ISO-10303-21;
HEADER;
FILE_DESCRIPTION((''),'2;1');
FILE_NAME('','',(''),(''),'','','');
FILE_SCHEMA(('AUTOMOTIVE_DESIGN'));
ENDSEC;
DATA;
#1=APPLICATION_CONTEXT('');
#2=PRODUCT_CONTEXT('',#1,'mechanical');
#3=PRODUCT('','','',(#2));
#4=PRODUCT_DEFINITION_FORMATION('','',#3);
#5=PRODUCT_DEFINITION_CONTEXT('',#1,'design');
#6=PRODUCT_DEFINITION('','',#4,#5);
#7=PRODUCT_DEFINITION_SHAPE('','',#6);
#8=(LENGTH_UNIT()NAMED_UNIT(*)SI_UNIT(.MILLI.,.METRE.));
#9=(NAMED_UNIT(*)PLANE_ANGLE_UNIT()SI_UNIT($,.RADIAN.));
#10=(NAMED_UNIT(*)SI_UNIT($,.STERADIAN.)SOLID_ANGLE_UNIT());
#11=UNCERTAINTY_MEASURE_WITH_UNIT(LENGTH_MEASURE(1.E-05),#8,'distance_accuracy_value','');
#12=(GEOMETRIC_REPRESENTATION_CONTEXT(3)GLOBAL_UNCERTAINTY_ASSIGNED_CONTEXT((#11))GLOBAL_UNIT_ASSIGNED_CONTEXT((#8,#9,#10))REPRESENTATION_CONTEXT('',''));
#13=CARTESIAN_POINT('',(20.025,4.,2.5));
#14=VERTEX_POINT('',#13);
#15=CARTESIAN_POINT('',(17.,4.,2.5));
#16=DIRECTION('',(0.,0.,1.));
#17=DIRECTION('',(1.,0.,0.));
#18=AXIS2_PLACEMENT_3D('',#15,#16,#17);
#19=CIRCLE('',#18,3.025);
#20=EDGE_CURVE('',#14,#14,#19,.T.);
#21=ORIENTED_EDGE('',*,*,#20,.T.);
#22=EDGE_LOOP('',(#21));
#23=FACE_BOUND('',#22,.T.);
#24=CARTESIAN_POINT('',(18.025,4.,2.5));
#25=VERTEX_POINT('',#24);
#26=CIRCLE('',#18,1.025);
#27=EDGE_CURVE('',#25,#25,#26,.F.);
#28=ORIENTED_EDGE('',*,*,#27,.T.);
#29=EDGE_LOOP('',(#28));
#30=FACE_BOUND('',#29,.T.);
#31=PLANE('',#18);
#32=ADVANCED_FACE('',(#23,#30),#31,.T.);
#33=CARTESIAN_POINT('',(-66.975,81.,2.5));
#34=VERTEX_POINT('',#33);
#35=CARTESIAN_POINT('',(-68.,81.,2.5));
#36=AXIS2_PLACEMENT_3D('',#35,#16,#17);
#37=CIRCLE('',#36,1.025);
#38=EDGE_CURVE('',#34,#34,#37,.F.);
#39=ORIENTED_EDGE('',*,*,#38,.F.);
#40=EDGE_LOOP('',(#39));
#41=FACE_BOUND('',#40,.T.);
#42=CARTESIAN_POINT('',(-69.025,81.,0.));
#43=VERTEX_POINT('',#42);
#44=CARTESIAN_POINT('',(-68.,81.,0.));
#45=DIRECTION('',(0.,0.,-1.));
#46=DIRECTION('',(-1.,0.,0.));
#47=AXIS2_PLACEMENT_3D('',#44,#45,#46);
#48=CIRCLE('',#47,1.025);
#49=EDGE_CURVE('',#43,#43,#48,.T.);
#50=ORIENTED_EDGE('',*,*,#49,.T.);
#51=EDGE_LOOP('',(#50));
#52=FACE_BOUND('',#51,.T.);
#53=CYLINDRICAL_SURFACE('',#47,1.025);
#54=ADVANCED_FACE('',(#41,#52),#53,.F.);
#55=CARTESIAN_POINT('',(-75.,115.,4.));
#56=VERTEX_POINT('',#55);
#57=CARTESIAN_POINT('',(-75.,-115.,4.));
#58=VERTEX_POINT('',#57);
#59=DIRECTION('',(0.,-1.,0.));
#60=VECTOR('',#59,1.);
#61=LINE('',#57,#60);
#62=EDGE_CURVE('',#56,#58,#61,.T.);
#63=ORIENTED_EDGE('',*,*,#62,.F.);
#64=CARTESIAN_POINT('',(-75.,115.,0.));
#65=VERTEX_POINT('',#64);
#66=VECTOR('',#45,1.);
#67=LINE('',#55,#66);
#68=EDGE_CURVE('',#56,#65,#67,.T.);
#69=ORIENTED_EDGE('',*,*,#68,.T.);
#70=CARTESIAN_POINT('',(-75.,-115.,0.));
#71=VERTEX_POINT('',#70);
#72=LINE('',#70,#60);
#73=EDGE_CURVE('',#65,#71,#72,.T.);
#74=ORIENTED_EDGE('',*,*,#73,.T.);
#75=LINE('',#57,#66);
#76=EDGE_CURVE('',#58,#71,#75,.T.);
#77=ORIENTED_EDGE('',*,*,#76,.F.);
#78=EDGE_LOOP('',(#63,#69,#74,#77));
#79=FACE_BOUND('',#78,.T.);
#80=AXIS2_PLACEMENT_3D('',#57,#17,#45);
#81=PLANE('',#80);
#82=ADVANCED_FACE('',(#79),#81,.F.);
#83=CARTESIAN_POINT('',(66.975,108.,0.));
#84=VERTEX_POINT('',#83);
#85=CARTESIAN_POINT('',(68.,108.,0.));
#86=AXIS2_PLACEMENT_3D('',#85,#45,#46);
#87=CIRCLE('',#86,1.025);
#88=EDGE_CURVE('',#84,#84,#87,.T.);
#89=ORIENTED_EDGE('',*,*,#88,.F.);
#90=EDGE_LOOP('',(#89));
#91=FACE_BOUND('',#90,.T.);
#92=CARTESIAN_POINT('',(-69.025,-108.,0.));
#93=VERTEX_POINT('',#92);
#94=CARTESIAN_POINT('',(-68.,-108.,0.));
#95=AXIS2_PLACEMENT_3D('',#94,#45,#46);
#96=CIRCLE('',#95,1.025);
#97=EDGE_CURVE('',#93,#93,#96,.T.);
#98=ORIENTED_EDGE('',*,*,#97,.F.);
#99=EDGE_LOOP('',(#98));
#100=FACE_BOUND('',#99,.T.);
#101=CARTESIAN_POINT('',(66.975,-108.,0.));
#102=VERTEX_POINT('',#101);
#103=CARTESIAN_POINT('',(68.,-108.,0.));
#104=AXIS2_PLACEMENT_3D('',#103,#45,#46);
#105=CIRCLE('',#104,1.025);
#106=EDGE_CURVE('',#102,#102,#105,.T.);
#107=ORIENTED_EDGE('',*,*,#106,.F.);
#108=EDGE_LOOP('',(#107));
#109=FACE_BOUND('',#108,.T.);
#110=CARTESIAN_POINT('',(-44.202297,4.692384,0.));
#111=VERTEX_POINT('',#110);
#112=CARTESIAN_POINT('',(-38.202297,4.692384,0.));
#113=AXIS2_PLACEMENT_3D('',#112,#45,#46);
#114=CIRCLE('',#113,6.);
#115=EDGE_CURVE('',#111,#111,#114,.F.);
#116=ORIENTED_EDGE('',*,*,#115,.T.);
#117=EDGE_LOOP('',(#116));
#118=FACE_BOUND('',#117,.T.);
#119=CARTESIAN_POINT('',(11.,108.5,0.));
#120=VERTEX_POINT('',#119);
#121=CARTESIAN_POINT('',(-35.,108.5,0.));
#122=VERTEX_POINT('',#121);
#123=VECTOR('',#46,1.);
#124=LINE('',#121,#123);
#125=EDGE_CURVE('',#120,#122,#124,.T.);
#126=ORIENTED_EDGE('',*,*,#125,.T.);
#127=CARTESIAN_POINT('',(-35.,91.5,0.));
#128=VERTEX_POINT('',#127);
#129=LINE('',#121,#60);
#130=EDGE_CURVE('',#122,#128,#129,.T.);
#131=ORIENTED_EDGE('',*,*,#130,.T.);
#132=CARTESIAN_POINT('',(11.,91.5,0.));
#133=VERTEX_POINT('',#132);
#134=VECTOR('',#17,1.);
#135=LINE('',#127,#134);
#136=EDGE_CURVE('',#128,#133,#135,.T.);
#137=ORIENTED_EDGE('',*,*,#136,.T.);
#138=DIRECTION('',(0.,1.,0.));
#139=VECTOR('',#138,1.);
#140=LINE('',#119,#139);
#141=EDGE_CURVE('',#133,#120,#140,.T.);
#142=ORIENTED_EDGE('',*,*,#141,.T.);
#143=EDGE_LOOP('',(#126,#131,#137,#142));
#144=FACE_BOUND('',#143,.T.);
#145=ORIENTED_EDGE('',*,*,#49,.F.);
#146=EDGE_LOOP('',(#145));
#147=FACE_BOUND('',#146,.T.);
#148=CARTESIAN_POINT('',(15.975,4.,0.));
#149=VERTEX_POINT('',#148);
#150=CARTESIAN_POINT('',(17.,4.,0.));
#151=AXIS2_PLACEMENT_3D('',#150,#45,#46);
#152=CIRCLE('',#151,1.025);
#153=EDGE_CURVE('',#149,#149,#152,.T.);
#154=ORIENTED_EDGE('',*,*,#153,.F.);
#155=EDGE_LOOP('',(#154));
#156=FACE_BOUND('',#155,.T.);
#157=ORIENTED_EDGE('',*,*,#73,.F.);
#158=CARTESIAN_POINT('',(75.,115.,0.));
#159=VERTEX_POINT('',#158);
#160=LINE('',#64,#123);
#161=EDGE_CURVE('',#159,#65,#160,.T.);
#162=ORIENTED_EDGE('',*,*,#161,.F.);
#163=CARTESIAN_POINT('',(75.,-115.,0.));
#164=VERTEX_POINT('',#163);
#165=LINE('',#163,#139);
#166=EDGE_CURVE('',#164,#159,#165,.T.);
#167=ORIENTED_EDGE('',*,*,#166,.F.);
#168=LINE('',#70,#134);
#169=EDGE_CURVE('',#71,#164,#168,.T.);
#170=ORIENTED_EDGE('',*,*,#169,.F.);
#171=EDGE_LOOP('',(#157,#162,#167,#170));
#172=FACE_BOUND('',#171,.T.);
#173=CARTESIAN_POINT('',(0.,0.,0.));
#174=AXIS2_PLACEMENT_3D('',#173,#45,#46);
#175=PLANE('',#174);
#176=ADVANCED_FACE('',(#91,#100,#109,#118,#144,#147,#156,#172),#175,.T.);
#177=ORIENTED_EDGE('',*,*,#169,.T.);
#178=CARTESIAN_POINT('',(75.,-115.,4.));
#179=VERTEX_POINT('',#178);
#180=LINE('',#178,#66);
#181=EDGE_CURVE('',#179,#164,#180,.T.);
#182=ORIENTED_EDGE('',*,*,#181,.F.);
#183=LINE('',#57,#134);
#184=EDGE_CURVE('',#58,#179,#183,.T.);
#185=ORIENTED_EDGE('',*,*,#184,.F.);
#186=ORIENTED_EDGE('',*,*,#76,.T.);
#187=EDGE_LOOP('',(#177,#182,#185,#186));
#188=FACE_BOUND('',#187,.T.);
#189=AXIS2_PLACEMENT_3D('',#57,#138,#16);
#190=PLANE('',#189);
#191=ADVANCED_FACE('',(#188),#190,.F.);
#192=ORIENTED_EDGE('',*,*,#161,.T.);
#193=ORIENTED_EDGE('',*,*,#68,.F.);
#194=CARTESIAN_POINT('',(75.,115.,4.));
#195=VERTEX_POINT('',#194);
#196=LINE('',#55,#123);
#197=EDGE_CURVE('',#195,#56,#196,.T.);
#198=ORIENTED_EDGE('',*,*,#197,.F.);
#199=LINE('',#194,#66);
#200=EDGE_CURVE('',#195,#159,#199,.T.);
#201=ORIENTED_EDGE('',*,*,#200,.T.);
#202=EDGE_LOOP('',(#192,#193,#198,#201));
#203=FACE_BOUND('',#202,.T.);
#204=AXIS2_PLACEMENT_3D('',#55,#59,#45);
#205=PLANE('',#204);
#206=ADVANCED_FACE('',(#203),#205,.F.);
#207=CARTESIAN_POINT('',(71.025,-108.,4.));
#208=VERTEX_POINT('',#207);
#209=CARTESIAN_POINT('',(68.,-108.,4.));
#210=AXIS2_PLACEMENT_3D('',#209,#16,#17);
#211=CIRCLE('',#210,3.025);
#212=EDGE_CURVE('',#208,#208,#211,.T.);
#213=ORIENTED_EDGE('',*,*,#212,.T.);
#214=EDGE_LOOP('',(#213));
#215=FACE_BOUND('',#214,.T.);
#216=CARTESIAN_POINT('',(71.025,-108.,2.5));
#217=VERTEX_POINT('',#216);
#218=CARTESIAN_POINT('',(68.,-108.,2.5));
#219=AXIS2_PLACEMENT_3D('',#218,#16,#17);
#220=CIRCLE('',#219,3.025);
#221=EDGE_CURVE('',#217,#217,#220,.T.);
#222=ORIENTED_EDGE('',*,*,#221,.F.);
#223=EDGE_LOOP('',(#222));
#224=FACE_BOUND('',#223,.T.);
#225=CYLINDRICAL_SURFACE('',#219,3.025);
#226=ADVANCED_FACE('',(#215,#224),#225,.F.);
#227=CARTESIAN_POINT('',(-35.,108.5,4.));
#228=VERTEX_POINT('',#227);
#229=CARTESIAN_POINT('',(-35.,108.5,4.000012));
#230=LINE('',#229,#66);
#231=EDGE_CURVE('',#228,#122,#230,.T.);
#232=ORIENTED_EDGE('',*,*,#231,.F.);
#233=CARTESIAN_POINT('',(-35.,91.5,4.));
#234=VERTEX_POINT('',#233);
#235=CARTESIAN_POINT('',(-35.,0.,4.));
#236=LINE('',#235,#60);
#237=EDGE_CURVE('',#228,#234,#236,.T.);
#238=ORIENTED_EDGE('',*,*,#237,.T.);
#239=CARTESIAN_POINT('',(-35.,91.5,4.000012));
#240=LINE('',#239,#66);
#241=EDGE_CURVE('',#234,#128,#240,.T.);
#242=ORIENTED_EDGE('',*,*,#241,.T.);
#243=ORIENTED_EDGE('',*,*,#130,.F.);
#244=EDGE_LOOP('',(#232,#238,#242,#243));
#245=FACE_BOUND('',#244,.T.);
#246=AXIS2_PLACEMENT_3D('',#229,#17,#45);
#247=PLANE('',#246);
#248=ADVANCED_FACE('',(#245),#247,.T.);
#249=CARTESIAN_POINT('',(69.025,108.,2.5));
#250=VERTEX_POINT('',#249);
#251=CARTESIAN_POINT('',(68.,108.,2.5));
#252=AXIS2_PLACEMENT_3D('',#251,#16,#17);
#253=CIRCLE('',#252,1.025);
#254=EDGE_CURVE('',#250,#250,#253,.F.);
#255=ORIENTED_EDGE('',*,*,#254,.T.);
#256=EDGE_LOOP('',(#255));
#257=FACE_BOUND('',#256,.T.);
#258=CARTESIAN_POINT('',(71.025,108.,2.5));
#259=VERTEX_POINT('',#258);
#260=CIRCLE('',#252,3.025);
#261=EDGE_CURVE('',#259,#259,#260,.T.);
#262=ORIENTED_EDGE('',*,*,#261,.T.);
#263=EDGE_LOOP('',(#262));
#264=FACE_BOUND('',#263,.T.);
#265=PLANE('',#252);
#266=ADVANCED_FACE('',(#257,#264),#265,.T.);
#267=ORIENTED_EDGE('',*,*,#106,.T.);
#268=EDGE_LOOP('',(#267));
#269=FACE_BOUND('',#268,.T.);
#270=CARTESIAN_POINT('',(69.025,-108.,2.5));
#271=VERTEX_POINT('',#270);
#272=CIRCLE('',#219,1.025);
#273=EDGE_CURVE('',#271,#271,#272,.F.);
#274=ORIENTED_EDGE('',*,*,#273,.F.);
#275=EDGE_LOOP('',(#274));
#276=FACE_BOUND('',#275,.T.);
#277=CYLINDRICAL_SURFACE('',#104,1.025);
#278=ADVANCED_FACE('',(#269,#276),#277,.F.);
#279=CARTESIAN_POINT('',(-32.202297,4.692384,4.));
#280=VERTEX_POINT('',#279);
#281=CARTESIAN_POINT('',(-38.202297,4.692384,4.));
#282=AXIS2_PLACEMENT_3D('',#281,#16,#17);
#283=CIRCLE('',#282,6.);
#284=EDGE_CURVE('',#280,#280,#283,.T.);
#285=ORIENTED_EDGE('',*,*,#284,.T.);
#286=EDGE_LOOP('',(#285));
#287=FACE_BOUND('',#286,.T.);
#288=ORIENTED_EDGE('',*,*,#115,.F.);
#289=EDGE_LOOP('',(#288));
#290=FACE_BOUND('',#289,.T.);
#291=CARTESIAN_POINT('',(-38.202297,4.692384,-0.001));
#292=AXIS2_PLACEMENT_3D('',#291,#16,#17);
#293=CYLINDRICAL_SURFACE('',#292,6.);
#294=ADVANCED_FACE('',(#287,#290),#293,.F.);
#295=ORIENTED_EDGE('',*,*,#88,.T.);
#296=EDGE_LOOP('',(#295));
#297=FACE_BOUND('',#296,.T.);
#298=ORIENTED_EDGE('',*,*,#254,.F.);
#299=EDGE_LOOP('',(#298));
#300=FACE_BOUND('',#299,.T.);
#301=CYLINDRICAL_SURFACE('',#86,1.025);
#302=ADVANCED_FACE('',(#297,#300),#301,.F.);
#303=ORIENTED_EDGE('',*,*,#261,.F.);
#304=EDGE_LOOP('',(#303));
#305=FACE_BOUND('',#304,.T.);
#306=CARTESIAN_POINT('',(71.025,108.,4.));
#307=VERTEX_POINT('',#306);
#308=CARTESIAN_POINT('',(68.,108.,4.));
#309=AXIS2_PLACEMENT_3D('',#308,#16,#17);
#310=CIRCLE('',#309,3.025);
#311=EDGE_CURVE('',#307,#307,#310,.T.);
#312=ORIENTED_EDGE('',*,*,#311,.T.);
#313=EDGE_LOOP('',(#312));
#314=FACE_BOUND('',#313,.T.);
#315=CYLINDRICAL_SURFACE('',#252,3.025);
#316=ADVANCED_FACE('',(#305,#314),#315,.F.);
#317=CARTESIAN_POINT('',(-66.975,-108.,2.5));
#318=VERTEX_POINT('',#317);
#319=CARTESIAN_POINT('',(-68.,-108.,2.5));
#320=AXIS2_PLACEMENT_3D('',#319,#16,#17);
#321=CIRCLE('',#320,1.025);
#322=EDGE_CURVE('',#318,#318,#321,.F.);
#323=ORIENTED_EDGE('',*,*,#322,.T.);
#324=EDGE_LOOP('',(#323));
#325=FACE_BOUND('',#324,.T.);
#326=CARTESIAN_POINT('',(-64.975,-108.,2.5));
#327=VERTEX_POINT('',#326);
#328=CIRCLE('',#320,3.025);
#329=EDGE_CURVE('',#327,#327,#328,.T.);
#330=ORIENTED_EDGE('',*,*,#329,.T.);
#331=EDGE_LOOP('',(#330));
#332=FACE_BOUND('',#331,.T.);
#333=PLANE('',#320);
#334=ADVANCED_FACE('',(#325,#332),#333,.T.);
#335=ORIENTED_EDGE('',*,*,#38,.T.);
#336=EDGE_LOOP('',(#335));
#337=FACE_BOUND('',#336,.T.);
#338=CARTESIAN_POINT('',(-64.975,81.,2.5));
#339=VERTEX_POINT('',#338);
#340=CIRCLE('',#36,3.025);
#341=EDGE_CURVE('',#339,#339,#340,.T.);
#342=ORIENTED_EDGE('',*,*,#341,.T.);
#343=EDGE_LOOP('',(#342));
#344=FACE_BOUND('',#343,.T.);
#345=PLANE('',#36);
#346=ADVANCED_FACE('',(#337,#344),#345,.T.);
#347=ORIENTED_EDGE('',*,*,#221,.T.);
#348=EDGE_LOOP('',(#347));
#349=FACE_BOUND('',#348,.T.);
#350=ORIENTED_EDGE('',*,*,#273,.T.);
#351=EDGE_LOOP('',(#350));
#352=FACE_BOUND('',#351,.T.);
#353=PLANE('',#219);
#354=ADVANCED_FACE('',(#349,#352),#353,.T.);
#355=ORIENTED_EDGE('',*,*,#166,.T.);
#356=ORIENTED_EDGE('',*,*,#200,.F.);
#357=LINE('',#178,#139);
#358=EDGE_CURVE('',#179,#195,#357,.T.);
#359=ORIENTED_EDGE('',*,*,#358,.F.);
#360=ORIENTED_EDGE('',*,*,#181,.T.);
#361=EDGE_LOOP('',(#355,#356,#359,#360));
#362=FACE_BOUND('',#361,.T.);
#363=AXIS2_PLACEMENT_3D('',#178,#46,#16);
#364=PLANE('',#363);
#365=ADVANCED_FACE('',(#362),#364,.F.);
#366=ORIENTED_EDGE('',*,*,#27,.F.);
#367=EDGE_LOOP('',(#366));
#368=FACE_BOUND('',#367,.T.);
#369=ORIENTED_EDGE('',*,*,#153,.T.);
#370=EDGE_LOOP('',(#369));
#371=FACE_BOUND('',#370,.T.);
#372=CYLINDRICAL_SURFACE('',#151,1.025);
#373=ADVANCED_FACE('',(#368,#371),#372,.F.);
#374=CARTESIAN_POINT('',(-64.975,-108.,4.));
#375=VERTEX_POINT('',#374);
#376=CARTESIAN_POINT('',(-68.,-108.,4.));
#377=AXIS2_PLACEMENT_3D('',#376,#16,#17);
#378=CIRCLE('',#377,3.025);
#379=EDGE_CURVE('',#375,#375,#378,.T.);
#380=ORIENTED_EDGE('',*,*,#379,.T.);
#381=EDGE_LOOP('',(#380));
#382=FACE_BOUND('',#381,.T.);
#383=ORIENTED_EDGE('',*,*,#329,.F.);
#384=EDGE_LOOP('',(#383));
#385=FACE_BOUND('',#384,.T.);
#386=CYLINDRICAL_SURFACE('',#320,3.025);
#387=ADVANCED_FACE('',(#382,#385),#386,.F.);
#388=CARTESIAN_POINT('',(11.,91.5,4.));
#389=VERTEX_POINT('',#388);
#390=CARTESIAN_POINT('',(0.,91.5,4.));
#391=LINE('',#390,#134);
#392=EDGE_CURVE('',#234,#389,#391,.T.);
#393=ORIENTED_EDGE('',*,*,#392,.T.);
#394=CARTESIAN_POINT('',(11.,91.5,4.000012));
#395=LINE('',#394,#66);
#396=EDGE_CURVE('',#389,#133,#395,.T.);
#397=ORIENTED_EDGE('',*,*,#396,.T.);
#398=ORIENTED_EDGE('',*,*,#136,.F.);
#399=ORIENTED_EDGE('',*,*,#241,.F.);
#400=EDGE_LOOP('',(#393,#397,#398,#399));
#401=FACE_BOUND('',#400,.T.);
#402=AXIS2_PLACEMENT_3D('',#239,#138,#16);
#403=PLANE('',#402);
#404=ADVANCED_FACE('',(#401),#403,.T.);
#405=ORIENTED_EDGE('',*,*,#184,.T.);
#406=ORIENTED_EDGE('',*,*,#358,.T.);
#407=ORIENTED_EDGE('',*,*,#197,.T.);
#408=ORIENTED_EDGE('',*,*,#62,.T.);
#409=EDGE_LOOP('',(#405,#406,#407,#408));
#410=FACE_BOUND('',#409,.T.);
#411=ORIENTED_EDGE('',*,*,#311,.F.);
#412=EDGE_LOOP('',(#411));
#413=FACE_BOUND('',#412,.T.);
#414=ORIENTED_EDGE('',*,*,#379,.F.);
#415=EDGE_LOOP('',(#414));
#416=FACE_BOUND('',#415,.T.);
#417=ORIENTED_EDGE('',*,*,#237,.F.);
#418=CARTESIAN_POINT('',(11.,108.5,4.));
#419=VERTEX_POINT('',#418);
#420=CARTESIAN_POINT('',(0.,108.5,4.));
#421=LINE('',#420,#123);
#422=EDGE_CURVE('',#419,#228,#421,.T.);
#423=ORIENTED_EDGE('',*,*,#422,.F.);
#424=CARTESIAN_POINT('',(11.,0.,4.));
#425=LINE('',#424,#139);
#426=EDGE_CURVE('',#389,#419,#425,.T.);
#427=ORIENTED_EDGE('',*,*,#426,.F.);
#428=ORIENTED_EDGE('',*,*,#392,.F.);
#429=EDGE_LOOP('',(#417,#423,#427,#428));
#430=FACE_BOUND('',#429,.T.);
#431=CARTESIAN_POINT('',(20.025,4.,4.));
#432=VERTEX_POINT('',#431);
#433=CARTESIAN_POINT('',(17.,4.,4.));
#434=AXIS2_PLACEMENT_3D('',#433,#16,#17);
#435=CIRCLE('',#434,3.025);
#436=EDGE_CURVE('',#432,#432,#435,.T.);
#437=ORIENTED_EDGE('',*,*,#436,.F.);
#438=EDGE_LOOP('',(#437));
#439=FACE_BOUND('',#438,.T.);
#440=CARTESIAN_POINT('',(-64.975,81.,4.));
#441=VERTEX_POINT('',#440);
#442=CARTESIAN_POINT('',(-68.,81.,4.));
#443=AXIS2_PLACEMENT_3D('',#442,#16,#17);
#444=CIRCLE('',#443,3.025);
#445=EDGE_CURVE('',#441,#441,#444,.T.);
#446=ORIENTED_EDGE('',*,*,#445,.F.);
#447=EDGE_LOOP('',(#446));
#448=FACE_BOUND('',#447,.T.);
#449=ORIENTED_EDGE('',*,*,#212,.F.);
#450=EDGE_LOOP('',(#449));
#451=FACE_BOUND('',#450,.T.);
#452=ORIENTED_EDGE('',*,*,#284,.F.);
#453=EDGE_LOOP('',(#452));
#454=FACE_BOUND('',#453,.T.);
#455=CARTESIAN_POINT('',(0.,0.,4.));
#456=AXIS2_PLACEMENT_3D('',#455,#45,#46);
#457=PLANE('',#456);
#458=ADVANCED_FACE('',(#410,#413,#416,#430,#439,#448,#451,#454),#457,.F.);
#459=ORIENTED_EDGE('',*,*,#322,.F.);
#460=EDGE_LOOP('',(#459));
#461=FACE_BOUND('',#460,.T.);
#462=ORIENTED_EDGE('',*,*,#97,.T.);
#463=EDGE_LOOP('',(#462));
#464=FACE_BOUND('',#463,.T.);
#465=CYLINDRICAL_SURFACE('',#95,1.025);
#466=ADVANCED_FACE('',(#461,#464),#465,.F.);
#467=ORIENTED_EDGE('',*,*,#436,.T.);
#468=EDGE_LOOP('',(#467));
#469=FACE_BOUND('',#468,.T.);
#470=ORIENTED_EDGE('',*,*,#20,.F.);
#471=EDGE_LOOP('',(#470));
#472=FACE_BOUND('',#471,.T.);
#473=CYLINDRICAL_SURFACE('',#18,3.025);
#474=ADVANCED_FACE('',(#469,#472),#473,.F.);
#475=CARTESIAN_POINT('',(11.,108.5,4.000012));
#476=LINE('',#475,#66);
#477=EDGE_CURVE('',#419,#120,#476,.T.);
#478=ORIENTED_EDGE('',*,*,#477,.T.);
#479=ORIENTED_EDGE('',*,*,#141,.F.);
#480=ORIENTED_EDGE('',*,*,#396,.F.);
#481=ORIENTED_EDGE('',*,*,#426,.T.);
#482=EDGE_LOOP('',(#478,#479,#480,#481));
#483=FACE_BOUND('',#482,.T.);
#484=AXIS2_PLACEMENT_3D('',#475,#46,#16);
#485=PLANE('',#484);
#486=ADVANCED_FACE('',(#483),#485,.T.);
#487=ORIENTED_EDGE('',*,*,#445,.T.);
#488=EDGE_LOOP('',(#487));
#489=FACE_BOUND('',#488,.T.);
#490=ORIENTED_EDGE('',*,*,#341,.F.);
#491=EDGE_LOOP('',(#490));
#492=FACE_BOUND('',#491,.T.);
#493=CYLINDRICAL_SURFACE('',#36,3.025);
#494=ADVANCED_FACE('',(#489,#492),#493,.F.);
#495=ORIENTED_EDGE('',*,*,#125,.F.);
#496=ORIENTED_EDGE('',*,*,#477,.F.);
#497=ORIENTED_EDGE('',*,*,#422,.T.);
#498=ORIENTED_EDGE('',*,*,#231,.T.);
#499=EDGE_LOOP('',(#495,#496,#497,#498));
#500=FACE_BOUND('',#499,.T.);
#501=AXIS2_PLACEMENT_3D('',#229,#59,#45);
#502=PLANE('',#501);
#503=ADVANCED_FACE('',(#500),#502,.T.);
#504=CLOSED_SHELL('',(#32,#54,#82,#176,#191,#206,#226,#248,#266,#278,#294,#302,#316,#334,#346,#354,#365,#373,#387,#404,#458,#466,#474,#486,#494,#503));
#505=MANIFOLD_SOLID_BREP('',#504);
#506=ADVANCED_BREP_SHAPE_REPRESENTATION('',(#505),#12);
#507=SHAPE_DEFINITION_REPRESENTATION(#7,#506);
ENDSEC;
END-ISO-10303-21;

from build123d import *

# Parameters (mm, degrees)
SKETCH1_W                      = 150
SKETCH1_H                      = 230
BOSS_EXTRUDE1_DEPTH            = 4
TAP_DRILL_FOR_M2_5X0_45_TAP2_D = 2.05
SKETCH8_R                      = 3.025
CUT_EXTRUDE2_DEPTH             = 1.5
CUT_EXTRUDE3_REACH             = 139.354
SKETCH9_W                      = 46
SKETCH9_H                      = 17
CUT_EXTRUDE3_DIRECTION_2_DEPTH = 138.353558381
CUT_EXTRUDE4_REACH             = 139.354
SKETCH10_R                     = 6


with BuildPart() as part:
    # Sketch1 → Boss-Extrude1 (new body)
    with BuildSketch(Plane.XY):
        Rectangle(SKETCH1_W, SKETCH1_H)
    extrude(amount=BOSS_EXTRUDE1_DEPTH)

    # Tap Drill for M2.5x0.45 Tap2 (through all)
    with Locations(Plane(origin=(68, 108, 0), x_dir=(-1, 0, 0), z_dir=(0, 0, -1))):
        with Locations((0, 0), (136, -27), (0, -216), (136, -216), (51, -104)):
            Hole(TAP_DRILL_FOR_M2_5X0_45_TAP2_D / 2)

    # Sketch8 → Cut-Extrude2 (cut)
    with BuildSketch(Plane.XY.offset(4)):
        with Locations((-68, 81)):
            Circle(SKETCH8_R)
        with Locations((68, 108)):
            Circle(SKETCH8_R)
        with Locations((-68, -108)):
            Circle(SKETCH8_R)
        with Locations((68, -108)):
            Circle(SKETCH8_R)
        with Locations((17, 4)):
            Circle(SKETCH8_R)
    extrude(amount=-CUT_EXTRUDE2_DEPTH, mode=Mode.SUBTRACT)

    # Sketch9 → Cut-Extrude3 (cut, up to next)
    with BuildSketch(Plane.XY.offset(4), mode=Mode.PRIVATE) as cut_extrude3_sk1:
        with Locations((-12, 100)):
            Rectangle(SKETCH9_W, SKETCH9_H)
    cut_extrude3_tool1 = extrude(cut_extrude3_sk1.sketch, amount=-CUT_EXTRUDE3_REACH, mode=Mode.PRIVATE) & part.part
    add(cut_extrude3_tool1.solids().sort_by_distance((-12, 100, 4))[0], mode=Mode.SUBTRACT)

    # Sketch9 → Cut-Extrude3 direction 2 (cut)
    with BuildSketch(Plane.XY.offset(4)):
        with Locations((-12, 100)):
            Rectangle(SKETCH9_W, SKETCH9_H)
    extrude(amount=CUT_EXTRUDE3_DIRECTION_2_DEPTH, mode=Mode.SUBTRACT)

    # Sketch10 → Cut-Extrude4 (cut, up to next)
    with BuildSketch(Plane.XY.offset(4), mode=Mode.PRIVATE) as cut_extrude4_sk1:
        with Locations((-38.202297392, 4.692384057)):
            Circle(SKETCH10_R)
    cut_extrude4_tool1 = extrude(cut_extrude4_sk1.sketch, amount=-CUT_EXTRUDE4_REACH, mode=Mode.PRIVATE) & part.part
    add(cut_extrude4_tool1.solids().sort_by_distance((-38.202297, 4.692384, 4))[0], mode=Mode.SUBTRACT)


solid = part.part
